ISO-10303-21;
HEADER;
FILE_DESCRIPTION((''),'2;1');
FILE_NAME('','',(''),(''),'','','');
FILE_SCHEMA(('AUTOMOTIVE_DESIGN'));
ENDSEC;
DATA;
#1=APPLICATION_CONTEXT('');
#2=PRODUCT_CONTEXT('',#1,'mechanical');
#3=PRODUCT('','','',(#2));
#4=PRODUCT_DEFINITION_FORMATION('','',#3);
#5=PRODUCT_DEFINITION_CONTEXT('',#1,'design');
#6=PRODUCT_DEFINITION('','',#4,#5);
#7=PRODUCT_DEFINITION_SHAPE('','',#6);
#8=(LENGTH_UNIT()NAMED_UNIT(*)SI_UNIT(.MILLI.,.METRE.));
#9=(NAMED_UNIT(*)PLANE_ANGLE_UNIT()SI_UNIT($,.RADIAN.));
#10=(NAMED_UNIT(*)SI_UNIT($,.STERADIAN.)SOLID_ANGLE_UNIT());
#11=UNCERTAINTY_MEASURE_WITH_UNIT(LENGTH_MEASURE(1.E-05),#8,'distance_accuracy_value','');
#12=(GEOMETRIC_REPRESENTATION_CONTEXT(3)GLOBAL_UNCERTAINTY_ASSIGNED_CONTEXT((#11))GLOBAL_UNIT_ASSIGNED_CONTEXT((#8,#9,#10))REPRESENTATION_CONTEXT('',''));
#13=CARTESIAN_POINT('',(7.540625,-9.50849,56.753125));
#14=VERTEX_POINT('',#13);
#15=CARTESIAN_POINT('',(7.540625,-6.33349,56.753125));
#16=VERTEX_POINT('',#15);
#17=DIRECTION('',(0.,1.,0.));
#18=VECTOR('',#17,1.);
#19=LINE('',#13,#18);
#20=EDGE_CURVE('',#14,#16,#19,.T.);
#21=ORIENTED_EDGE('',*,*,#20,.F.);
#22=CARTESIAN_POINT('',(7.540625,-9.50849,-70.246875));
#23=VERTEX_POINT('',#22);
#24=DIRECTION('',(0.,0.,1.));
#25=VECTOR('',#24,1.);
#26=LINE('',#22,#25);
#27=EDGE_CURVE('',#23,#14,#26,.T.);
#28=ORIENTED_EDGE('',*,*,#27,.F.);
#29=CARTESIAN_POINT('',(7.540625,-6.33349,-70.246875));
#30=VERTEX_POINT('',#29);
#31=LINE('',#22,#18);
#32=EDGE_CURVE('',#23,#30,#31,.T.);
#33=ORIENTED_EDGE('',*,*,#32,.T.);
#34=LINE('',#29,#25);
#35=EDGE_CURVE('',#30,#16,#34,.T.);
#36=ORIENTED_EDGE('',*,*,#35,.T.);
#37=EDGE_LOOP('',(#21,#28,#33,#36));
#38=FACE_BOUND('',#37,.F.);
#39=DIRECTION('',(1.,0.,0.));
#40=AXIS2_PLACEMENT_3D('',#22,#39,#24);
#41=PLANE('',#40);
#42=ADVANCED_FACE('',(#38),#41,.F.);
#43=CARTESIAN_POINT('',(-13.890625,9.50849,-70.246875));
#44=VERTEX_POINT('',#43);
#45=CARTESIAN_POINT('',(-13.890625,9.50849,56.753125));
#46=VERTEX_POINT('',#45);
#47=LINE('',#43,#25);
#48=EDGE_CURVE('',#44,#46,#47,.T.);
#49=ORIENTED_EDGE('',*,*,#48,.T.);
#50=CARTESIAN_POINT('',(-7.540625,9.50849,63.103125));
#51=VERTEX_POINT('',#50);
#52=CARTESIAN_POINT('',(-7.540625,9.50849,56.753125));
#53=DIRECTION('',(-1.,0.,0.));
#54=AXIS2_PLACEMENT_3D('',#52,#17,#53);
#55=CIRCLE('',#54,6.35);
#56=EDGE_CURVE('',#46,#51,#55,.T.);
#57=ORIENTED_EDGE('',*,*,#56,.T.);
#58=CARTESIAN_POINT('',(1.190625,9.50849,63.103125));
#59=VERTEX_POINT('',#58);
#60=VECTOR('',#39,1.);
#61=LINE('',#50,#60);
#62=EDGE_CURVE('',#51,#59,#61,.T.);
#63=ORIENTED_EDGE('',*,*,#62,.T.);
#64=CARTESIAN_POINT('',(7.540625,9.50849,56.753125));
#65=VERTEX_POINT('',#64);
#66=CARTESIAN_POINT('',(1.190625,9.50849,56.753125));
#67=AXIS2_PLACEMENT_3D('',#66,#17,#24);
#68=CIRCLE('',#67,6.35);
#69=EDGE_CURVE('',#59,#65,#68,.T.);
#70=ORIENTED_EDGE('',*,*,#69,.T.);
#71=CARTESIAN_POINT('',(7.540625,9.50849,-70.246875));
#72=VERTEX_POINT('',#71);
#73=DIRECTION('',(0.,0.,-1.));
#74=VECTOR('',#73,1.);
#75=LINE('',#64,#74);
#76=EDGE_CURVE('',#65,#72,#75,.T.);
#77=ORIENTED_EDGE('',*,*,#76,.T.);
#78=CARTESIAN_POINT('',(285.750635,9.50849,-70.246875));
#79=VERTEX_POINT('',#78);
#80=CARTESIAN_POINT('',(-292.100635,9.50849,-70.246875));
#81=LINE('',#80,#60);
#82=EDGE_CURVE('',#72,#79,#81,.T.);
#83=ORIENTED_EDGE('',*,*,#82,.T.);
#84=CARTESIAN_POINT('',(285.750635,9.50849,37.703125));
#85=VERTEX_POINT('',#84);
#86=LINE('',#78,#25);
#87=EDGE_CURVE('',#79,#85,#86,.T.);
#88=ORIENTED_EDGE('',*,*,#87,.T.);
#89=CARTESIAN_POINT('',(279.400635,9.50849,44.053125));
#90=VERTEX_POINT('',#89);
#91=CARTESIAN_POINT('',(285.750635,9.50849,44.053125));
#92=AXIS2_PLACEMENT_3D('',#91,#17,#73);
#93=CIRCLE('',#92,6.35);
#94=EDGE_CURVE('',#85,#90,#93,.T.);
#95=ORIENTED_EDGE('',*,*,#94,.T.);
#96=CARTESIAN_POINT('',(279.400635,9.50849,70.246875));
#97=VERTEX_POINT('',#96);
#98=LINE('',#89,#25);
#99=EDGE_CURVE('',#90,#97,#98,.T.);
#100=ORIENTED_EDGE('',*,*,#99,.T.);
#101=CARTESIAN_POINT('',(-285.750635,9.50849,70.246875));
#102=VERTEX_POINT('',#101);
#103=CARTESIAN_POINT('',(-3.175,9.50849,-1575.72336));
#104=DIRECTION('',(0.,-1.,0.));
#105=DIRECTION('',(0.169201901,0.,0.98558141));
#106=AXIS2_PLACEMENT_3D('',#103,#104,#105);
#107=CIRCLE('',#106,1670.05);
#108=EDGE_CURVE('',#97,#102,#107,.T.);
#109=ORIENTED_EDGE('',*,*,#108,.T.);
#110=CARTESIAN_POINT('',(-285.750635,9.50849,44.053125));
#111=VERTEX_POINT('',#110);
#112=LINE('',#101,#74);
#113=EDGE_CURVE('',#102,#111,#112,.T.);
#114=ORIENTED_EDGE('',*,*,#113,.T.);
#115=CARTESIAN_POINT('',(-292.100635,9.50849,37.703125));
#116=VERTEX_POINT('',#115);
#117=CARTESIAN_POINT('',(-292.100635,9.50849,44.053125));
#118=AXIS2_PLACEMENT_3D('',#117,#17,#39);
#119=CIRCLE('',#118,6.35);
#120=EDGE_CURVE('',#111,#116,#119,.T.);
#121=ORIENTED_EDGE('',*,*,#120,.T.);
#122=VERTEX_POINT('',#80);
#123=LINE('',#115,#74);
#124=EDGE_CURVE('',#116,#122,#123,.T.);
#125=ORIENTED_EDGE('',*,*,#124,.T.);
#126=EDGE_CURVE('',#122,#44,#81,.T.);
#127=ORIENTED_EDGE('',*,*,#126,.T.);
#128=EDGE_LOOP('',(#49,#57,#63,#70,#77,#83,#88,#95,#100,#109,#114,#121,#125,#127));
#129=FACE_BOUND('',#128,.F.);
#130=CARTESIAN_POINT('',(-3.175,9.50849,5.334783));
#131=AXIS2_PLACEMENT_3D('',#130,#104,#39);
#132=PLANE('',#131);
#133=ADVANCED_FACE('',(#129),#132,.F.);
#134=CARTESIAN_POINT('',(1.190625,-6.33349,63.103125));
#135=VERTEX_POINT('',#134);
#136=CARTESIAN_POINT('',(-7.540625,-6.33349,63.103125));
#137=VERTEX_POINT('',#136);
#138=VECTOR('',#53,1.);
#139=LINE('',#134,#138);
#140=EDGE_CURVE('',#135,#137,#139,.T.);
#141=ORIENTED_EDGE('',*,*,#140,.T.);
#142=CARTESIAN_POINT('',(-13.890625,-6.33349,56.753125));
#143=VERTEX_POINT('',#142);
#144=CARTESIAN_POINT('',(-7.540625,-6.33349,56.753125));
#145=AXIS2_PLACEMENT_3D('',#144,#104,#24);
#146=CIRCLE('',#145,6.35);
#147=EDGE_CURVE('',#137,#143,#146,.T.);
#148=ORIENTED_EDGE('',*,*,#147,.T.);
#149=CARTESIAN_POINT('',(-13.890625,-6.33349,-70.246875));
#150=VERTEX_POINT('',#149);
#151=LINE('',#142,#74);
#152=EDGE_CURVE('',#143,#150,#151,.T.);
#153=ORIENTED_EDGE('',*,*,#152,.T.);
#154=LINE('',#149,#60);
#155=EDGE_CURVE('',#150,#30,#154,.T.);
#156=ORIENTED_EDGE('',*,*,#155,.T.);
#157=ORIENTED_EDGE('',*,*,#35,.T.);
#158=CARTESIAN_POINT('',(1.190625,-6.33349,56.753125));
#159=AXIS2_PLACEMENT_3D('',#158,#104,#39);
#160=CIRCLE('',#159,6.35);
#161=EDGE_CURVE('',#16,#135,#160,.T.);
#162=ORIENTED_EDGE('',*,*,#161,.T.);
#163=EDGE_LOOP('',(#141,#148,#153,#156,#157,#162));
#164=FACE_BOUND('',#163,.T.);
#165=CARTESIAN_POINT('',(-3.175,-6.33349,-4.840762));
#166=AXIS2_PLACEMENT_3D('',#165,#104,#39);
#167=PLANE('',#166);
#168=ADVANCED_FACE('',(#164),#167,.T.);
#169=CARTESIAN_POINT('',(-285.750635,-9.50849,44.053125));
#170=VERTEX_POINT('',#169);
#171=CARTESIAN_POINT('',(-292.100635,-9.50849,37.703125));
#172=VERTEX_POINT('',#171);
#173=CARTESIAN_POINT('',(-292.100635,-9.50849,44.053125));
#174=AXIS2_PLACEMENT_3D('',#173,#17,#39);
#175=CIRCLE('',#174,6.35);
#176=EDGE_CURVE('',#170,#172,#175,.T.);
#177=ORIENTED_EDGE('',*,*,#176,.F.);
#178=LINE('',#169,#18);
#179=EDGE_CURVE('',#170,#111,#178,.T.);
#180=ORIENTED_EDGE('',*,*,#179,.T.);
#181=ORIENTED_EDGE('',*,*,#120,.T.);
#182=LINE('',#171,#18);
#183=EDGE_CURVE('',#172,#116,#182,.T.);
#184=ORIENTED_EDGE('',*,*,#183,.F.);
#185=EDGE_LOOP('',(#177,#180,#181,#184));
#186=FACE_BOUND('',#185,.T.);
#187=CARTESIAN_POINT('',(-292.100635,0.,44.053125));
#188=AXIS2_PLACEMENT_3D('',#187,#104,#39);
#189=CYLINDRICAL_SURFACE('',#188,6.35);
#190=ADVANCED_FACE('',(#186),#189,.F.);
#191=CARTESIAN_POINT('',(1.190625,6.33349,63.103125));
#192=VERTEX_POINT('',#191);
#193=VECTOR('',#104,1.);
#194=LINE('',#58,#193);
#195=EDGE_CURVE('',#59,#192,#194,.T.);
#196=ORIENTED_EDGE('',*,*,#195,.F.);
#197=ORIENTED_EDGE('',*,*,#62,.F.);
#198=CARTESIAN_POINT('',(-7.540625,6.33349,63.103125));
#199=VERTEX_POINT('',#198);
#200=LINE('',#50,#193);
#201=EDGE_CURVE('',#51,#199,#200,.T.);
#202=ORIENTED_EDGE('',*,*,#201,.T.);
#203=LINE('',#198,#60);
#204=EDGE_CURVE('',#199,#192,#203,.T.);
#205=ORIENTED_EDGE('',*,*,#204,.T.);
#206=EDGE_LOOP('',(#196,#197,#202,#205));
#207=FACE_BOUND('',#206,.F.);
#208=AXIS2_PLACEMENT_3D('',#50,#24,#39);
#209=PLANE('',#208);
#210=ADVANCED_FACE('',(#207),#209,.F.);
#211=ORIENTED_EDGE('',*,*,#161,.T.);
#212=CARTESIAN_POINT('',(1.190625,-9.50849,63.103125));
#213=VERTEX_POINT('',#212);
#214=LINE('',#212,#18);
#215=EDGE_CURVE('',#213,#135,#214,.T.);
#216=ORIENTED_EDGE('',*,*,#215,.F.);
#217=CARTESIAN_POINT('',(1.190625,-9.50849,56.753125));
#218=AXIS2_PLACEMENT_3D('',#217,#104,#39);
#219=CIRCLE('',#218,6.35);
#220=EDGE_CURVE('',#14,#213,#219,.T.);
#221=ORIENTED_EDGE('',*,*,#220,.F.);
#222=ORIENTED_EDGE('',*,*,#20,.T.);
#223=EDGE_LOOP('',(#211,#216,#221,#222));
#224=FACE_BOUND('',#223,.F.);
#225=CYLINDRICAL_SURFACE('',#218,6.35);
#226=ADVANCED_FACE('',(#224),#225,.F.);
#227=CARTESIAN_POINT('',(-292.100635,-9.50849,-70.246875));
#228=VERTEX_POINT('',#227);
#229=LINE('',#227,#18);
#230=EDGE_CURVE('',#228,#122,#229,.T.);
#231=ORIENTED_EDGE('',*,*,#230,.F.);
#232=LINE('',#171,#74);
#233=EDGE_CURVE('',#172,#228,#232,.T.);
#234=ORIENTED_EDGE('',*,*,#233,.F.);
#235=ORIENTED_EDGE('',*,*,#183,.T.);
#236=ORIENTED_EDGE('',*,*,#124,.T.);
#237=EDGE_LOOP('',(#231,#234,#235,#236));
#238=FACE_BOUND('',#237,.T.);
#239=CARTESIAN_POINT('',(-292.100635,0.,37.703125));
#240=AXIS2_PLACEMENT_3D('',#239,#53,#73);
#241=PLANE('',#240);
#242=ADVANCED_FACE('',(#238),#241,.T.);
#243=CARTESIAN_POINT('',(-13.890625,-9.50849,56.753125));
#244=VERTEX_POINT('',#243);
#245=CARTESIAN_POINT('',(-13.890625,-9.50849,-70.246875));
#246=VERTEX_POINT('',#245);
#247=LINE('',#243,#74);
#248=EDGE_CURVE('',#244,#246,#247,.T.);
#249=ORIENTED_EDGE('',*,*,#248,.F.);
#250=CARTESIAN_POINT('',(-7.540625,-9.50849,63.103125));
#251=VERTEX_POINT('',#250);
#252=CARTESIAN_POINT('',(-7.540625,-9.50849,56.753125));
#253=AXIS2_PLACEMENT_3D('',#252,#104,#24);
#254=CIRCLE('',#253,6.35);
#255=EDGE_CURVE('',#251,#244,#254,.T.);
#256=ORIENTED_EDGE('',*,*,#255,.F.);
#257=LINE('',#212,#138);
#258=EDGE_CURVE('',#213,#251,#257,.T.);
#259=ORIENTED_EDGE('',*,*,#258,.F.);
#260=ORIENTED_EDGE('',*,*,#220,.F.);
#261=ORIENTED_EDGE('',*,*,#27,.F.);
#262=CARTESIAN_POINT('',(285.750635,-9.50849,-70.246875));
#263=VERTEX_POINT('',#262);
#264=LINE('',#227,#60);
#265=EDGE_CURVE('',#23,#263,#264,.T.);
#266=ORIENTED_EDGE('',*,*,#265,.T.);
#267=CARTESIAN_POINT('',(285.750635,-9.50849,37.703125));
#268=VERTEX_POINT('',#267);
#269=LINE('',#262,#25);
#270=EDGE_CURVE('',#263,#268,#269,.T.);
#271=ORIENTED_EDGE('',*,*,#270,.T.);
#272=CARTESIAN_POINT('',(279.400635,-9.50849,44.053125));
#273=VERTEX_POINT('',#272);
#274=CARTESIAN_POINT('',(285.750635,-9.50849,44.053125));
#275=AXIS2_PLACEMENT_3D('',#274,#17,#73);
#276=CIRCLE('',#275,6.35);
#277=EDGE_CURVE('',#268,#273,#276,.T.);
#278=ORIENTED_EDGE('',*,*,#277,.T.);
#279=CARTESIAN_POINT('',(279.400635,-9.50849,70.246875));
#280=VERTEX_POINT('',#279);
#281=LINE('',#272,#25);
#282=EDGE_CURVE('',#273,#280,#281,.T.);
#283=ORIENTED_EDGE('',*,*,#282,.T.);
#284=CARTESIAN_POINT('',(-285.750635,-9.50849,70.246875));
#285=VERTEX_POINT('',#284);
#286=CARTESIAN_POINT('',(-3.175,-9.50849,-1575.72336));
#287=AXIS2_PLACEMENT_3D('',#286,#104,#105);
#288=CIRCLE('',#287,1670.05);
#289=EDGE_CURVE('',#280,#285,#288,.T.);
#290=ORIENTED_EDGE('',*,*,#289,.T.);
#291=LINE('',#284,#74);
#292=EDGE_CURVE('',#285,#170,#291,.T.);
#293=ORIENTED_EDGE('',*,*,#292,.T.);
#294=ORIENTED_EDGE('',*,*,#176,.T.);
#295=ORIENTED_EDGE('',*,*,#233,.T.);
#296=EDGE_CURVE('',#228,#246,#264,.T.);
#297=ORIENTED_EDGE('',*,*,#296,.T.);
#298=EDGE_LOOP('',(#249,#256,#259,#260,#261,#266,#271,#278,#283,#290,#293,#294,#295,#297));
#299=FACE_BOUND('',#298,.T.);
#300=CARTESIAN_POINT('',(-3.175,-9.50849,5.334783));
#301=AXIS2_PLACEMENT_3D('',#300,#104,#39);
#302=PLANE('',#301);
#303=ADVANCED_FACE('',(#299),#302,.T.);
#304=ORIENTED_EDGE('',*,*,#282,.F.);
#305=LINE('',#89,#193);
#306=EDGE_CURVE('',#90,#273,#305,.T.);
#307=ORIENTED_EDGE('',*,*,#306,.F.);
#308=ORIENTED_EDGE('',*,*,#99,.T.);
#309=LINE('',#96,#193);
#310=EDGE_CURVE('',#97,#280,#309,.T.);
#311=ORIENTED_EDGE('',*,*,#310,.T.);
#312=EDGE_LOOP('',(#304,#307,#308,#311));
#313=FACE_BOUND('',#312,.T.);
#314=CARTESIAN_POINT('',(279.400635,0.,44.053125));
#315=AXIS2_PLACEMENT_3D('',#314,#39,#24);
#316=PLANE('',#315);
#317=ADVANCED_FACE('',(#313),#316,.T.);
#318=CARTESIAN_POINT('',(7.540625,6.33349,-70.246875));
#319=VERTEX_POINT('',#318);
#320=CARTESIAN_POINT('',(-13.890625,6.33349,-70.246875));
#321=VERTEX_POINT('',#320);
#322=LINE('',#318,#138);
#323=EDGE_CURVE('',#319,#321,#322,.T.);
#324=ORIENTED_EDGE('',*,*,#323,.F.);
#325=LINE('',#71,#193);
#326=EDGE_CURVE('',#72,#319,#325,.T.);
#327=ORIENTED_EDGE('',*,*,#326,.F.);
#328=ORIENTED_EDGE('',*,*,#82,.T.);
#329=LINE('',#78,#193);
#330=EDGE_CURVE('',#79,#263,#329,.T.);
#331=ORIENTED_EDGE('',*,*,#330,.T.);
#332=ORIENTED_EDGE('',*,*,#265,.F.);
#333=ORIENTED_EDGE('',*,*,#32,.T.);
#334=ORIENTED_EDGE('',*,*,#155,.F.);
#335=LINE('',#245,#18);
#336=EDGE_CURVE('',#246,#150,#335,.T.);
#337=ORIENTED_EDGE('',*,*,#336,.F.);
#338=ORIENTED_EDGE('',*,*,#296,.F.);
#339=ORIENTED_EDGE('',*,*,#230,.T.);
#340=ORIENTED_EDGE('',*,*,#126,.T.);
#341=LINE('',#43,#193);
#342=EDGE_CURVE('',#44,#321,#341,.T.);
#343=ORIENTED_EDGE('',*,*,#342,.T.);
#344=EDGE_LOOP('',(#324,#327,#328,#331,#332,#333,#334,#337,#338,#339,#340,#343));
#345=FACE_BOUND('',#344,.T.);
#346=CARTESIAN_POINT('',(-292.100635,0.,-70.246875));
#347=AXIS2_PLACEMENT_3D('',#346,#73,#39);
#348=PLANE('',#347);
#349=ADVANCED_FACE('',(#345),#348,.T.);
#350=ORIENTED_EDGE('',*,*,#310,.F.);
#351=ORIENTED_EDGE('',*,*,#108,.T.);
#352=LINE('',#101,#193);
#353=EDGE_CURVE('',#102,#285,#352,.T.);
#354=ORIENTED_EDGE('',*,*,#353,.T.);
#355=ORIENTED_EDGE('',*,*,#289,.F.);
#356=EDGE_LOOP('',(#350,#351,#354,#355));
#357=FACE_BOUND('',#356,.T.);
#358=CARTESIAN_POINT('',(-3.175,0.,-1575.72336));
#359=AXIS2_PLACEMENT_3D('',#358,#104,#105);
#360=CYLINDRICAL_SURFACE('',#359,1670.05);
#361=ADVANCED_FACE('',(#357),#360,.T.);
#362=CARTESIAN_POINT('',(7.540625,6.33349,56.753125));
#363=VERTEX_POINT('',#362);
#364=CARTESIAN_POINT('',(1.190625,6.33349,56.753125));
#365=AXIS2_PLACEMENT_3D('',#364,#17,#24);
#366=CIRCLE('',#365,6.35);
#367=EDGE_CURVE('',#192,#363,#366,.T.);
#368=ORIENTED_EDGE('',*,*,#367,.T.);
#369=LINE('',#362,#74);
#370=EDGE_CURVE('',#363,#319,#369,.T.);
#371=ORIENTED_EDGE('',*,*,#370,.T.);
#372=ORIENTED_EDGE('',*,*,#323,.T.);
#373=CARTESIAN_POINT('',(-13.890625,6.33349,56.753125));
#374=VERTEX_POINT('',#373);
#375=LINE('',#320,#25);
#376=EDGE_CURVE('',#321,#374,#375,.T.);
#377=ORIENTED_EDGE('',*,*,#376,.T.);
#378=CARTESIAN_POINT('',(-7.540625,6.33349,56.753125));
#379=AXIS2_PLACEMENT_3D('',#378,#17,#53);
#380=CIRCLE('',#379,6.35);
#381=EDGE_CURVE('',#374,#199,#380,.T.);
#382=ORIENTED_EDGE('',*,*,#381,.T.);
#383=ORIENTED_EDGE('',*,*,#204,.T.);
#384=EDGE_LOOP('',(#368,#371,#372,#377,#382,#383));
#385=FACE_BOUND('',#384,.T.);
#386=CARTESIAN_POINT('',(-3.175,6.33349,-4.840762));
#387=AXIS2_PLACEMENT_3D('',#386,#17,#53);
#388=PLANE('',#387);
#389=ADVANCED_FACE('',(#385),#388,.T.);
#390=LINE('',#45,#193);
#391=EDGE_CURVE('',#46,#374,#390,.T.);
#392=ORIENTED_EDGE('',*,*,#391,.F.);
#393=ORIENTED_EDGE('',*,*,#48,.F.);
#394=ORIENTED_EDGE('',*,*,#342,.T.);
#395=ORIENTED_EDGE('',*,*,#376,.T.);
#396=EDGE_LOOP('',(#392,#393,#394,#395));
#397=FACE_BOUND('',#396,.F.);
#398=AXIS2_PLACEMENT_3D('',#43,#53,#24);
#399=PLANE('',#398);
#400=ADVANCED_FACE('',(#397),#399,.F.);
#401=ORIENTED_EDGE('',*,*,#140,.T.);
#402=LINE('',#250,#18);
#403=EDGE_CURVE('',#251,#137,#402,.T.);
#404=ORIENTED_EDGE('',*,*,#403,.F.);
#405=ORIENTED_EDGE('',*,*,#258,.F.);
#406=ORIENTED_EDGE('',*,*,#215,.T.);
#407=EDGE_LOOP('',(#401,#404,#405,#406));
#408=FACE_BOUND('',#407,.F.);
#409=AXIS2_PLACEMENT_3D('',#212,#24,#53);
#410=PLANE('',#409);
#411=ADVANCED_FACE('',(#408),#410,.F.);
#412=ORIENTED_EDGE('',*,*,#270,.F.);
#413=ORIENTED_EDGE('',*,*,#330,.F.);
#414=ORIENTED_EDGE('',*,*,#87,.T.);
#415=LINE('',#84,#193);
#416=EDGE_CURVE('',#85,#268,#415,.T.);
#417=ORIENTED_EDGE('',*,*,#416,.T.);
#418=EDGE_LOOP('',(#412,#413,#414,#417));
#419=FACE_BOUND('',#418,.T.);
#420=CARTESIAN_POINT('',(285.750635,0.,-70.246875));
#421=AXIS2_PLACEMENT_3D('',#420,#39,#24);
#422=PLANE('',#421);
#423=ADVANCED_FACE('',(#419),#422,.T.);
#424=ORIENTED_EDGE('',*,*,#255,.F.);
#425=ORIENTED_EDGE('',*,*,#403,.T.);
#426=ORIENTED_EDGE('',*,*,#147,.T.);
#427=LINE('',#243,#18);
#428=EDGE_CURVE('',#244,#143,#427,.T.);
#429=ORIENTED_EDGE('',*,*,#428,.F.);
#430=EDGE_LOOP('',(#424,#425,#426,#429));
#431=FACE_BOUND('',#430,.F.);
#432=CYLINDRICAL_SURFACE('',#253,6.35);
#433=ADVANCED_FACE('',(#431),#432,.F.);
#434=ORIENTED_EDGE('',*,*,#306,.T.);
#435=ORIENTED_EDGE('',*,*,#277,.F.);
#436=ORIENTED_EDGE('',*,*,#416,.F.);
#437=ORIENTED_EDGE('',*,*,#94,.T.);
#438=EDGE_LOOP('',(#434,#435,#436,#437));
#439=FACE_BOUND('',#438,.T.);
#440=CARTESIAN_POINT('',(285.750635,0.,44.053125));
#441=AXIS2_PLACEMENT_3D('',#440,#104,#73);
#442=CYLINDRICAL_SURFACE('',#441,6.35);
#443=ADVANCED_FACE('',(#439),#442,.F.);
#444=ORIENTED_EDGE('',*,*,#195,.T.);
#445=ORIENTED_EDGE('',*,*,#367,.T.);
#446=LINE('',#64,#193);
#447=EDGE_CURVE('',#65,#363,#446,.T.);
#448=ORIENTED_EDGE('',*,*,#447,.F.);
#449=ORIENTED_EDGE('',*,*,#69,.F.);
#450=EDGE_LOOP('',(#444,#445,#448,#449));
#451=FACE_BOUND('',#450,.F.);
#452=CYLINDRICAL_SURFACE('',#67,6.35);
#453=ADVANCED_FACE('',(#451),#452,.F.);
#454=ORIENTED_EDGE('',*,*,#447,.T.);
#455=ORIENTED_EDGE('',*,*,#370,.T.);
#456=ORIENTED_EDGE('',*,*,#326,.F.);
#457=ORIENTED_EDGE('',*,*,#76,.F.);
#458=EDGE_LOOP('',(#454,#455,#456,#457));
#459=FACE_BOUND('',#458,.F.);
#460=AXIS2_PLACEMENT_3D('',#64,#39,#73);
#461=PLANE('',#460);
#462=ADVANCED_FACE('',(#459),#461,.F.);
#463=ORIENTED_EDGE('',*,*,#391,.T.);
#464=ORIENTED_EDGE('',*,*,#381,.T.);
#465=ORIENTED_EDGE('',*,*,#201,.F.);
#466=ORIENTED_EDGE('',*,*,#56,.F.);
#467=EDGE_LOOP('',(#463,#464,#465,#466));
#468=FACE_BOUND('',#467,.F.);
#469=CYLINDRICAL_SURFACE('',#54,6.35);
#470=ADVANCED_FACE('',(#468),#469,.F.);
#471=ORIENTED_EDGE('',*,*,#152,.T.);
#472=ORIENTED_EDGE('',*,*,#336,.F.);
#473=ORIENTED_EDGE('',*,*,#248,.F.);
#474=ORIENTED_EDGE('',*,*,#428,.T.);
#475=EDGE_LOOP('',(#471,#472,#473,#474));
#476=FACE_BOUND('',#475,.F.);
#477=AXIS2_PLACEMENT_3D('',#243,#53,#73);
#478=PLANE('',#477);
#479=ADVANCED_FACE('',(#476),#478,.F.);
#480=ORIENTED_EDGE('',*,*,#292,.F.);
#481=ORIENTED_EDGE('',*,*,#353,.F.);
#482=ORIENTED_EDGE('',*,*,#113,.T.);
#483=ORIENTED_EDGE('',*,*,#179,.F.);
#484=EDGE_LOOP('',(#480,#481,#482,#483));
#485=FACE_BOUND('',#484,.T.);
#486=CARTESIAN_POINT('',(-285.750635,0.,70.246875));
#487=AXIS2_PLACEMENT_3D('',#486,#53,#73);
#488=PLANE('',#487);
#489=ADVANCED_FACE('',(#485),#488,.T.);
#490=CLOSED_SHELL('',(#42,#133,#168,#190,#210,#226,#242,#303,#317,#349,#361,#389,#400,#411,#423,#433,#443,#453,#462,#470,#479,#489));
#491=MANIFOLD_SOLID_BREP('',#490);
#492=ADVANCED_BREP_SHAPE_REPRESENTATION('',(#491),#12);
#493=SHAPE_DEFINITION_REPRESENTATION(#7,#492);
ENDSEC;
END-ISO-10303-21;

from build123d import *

# Parameters (mm, degrees)
F1_DEPTH = 9.50849
F3_DEPTH = 3.175
F5_DEPTH = 3.175


with BuildPart() as f1:
    # F0 (on Front) → F1 (new body, symmetric)
    with BuildSketch(Plane.XZ):
        with BuildLine():
            Line((-292.100635, -70.246875), (285.750635, -70.246875))
            Line((285.750635, -70.246875), (285.750635, 37.703125))
            ThreePointArc((285.750635, 37.703125), (281.2605069395, 39.5629969395), (279.400635, 44.053125))
            Line((279.400635, 44.053125), (279.400635, 70.246875))
            ThreePointArc((279.400635, 70.246875), (-3.175, 94.3266404561), (-285.750635, 70.246875))
            Line((-285.750635, 70.246875), (-285.750635, 44.053125))
            ThreePointArc((-285.750635, 44.053125), (-287.6105069395, 39.5629969395), (-292.100635, 37.703125))
            Line((-292.100635, 37.703125), (-292.100635, -70.246875))
        make_face()
    extrude(amount=F1_DEPTH, both=True)

    # F2 (on face) → F3 (cut)
    with BuildSketch(Plane.XZ.offset(9.50849)):
        with BuildLine():
            Line((1.190625, 63.103125), (-7.540625, 63.103125))
            ThreePointArc((-7.540625, 63.103125), (-12.0307530605, 61.2432530605), (-13.890625, 56.753125))
            Line((-13.890625, 56.753125), (-13.890625, -70.246875))
            Line((-13.890625, -70.246875), (7.540625, -70.246875))
            Line((7.540625, -70.246875), (7.540625, 56.753125))
            ThreePointArc((7.540625, 56.753125), (5.6807530605, 61.2432530605), (1.190625, 63.103125))
        make_face()
    extrude(amount=-F3_DEPTH, mode=Mode.SUBTRACT)

    # F4 (on face) → F5 (cut)
    with BuildSketch(Plane(origin=(0, 9.50849, 0), x_dir=(-1, 0, 0), z_dir=(0, 1, 0))):
        with BuildLine():
            Line((-7.540625, 56.753125), (-7.540625, -70.246875))
            Line((-7.540625, -70.246875), (13.890625, -70.246875))
            Line((13.890625, -70.246875), (13.890625, 56.753125))
            ThreePointArc((13.890625, 56.753125), (12.0307530605, 61.2432530605), (7.540625, 63.103125))
            Line((7.540625, 63.103125), (-1.190625, 63.103125))
            ThreePointArc((-1.190625, 63.103125), (-5.6807530605, 61.2432530605), (-7.540625, 56.753125))
        make_face()
    extrude(amount=-F5_DEPTH, mode=Mode.SUBTRACT)


solid = f1.part
